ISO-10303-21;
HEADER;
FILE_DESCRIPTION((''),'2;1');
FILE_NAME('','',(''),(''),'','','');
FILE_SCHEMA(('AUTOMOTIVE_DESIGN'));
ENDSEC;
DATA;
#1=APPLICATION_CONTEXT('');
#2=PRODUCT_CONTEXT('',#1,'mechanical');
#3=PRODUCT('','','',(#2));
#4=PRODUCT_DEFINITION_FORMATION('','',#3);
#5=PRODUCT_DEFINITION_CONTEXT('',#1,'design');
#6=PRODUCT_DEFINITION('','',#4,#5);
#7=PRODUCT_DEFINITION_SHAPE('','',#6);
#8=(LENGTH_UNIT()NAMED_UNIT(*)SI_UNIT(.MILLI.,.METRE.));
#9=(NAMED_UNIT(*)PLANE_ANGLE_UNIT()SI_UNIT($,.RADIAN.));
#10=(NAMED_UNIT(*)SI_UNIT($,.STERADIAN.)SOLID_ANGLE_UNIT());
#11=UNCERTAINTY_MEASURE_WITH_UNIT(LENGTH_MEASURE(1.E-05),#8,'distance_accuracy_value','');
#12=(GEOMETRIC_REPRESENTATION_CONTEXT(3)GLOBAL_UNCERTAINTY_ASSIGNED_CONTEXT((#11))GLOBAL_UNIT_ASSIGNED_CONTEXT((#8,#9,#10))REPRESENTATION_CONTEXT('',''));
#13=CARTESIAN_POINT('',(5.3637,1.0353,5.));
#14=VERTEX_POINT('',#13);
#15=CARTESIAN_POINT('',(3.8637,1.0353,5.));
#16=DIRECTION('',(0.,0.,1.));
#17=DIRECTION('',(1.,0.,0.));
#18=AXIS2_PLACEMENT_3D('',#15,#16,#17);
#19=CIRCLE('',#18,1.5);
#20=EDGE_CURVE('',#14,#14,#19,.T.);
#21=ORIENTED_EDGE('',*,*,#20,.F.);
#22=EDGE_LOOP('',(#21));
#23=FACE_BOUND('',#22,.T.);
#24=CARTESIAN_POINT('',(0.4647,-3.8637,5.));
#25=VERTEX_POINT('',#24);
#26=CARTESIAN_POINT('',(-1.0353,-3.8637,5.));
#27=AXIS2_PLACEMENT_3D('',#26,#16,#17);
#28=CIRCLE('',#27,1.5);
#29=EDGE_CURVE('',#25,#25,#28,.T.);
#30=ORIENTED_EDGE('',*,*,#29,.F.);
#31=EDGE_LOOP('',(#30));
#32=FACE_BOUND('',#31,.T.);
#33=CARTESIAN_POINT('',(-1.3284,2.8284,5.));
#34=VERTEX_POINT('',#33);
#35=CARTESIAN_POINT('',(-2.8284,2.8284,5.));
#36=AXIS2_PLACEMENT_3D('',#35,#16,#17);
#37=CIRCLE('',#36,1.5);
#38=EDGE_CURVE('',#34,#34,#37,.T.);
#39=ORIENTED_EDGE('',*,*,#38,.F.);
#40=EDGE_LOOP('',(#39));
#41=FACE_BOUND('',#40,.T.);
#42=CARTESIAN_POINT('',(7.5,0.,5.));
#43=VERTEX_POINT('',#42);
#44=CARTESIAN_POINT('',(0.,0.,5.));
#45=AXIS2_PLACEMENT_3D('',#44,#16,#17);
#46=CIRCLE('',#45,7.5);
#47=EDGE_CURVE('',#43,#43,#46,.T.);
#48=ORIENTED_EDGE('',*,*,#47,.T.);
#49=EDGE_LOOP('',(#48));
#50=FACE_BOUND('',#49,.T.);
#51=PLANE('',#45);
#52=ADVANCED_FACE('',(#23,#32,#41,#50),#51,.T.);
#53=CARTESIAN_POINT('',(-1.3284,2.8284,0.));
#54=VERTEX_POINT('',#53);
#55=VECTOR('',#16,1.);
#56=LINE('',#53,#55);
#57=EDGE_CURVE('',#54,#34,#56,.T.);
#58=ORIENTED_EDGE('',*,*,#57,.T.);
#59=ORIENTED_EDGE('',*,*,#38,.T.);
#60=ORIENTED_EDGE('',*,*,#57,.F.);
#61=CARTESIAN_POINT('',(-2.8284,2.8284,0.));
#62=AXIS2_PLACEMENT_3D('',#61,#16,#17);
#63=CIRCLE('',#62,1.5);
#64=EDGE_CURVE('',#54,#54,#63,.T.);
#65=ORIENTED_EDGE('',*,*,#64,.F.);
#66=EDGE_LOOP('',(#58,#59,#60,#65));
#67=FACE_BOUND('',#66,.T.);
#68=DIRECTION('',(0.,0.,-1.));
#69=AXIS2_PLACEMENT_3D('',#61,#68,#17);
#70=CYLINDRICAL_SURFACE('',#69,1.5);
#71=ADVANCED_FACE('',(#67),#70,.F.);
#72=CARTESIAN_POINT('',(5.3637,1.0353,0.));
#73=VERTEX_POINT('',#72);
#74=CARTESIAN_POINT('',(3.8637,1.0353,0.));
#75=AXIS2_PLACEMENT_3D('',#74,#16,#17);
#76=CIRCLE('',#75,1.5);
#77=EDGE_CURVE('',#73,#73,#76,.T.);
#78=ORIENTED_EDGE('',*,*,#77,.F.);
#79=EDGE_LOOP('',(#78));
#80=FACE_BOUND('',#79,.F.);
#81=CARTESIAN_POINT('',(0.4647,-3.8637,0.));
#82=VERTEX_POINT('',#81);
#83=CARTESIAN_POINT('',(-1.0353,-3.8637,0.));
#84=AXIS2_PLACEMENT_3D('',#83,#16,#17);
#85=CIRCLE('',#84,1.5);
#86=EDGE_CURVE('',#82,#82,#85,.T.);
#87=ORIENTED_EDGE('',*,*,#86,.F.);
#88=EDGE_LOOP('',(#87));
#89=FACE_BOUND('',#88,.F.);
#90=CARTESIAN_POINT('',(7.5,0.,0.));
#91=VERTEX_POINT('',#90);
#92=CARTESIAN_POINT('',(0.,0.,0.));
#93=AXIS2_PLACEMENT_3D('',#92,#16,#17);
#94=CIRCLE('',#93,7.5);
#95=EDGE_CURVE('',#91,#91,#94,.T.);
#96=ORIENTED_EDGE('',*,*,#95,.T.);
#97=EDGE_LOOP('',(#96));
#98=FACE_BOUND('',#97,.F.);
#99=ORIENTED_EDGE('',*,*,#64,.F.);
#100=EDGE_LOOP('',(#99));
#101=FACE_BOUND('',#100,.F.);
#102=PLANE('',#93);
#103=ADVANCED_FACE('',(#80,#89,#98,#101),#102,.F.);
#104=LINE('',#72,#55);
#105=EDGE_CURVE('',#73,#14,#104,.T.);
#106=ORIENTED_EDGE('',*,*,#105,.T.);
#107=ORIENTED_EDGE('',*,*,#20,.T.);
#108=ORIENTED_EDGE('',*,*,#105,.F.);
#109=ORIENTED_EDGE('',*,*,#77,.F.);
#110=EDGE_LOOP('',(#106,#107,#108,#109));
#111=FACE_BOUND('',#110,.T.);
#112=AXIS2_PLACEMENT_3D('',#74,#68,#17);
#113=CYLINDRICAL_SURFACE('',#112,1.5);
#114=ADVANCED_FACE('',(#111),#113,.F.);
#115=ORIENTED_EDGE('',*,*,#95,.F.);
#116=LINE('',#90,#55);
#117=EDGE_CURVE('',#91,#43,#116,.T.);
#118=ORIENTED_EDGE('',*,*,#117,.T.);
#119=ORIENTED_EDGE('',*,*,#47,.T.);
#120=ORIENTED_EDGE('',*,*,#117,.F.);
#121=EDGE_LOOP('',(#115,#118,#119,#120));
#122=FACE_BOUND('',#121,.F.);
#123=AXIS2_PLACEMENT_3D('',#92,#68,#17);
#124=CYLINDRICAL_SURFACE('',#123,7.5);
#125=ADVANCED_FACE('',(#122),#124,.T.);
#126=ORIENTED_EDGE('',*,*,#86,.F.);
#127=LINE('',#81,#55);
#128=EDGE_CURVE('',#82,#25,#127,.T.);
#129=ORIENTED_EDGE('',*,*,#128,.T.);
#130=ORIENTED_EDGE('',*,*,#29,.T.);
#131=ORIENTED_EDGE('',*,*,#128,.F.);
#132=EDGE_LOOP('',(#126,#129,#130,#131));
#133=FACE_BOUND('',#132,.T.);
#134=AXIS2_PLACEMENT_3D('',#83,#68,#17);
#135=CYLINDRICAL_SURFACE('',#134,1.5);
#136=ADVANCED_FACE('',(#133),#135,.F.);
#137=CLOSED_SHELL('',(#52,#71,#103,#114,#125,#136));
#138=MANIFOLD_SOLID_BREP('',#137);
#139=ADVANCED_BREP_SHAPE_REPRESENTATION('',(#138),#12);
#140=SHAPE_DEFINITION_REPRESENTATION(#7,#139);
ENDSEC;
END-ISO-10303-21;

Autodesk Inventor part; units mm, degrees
ref_plane "YZ Plane" through (0, 0, 0) normal (1, 0, 0) x (0, 1, 0)
ref_plane "XZ Plane" through (0, 0, 0) normal (0, 1, 0) x (-1, 0, 0)
ref_plane "XY Plane" through (0, 0, 0) normal (0, 0, 1) x (1, 0, 0)
sketch "スケッチ1" plane through (0, 0, 0) normal (0, 0, 1) x (1, 0, 0)
  circle A0 centre (0, 0) radius 7.5
  circle A1 centre (-2.8284, 2.8284) radius 1.5
  circle A2 centre (-1.0353, -3.8637) radius 1.5
  circle A3 centre (3.8637, 1.0353) radius 1.5
  dimension "d0" = 15
  dimension "d1" = 3
  dimension "d2" = 4
  dimension "d5" = 360
extrude "押し出し1" add sketch "スケッチ1" along normal blind 5
properties part number "カム" material "アセタール樹脂、白"
